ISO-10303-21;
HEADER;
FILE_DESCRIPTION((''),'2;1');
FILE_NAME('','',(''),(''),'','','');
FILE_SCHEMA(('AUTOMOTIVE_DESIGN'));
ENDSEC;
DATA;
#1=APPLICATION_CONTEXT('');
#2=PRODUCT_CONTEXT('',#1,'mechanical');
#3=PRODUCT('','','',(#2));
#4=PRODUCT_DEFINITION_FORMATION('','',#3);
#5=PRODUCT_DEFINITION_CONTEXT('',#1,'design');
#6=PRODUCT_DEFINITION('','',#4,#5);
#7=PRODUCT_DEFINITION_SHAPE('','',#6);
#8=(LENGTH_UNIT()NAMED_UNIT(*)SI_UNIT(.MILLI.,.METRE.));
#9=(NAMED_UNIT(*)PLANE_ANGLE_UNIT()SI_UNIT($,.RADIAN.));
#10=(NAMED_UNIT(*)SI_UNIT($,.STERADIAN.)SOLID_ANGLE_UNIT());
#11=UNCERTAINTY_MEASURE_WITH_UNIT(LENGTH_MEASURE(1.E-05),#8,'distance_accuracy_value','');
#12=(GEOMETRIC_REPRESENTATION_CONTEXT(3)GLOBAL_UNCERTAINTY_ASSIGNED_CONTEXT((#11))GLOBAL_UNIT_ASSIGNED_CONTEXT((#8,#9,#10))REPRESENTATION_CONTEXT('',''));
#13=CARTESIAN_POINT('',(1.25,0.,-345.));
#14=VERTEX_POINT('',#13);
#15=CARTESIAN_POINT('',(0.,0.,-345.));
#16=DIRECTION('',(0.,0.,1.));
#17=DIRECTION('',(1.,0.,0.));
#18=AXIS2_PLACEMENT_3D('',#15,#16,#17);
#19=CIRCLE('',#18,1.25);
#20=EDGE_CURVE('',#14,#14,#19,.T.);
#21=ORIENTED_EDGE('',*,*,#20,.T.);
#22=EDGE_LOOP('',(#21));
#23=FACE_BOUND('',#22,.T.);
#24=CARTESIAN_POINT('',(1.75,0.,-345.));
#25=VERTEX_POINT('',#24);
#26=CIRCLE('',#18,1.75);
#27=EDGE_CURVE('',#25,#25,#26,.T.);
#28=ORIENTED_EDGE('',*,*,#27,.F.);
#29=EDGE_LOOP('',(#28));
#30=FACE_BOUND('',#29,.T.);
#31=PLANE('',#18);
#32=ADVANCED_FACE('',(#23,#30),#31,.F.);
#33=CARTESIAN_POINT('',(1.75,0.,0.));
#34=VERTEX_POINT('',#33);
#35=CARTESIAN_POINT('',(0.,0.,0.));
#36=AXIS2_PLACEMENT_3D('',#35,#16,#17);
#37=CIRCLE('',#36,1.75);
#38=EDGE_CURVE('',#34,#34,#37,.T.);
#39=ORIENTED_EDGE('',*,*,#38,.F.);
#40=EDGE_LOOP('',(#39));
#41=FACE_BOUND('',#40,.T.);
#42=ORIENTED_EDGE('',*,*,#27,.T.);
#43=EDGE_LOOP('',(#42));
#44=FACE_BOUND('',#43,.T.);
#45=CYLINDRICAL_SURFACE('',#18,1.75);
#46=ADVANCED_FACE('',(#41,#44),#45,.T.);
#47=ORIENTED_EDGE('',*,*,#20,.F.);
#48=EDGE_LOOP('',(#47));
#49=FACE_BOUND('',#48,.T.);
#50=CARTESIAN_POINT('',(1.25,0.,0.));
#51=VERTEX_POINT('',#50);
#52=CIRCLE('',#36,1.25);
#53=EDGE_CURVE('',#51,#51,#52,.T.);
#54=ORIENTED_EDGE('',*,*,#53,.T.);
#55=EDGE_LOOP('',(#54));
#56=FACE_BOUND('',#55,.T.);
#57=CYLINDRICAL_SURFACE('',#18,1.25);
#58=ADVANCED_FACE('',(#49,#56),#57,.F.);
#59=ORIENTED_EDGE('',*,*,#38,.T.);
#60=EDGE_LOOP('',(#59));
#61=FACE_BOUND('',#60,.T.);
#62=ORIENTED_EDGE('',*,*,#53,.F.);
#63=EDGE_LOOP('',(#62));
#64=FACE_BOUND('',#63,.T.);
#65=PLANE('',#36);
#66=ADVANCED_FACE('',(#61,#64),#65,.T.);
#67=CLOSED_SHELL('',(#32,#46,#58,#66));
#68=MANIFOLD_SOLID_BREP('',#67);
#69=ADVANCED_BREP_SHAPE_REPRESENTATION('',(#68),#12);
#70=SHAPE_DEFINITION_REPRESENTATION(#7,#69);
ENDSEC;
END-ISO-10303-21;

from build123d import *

# Parameters (mm, degrees)
SKETCH2_R           = 1.75
SKETCH2_R_2         = 1.25
BOSS_EXTRUDE1_DEPTH = 345


with BuildPart() as part:
    # Sketch2 → Boss-Extrude1 (new body)
    with BuildSketch(Plane.XY):
        Circle(SKETCH2_R)
        Circle(SKETCH2_R_2, mode=Mode.SUBTRACT)
    extrude(amount=-BOSS_EXTRUDE1_DEPTH)


solid = part.part
